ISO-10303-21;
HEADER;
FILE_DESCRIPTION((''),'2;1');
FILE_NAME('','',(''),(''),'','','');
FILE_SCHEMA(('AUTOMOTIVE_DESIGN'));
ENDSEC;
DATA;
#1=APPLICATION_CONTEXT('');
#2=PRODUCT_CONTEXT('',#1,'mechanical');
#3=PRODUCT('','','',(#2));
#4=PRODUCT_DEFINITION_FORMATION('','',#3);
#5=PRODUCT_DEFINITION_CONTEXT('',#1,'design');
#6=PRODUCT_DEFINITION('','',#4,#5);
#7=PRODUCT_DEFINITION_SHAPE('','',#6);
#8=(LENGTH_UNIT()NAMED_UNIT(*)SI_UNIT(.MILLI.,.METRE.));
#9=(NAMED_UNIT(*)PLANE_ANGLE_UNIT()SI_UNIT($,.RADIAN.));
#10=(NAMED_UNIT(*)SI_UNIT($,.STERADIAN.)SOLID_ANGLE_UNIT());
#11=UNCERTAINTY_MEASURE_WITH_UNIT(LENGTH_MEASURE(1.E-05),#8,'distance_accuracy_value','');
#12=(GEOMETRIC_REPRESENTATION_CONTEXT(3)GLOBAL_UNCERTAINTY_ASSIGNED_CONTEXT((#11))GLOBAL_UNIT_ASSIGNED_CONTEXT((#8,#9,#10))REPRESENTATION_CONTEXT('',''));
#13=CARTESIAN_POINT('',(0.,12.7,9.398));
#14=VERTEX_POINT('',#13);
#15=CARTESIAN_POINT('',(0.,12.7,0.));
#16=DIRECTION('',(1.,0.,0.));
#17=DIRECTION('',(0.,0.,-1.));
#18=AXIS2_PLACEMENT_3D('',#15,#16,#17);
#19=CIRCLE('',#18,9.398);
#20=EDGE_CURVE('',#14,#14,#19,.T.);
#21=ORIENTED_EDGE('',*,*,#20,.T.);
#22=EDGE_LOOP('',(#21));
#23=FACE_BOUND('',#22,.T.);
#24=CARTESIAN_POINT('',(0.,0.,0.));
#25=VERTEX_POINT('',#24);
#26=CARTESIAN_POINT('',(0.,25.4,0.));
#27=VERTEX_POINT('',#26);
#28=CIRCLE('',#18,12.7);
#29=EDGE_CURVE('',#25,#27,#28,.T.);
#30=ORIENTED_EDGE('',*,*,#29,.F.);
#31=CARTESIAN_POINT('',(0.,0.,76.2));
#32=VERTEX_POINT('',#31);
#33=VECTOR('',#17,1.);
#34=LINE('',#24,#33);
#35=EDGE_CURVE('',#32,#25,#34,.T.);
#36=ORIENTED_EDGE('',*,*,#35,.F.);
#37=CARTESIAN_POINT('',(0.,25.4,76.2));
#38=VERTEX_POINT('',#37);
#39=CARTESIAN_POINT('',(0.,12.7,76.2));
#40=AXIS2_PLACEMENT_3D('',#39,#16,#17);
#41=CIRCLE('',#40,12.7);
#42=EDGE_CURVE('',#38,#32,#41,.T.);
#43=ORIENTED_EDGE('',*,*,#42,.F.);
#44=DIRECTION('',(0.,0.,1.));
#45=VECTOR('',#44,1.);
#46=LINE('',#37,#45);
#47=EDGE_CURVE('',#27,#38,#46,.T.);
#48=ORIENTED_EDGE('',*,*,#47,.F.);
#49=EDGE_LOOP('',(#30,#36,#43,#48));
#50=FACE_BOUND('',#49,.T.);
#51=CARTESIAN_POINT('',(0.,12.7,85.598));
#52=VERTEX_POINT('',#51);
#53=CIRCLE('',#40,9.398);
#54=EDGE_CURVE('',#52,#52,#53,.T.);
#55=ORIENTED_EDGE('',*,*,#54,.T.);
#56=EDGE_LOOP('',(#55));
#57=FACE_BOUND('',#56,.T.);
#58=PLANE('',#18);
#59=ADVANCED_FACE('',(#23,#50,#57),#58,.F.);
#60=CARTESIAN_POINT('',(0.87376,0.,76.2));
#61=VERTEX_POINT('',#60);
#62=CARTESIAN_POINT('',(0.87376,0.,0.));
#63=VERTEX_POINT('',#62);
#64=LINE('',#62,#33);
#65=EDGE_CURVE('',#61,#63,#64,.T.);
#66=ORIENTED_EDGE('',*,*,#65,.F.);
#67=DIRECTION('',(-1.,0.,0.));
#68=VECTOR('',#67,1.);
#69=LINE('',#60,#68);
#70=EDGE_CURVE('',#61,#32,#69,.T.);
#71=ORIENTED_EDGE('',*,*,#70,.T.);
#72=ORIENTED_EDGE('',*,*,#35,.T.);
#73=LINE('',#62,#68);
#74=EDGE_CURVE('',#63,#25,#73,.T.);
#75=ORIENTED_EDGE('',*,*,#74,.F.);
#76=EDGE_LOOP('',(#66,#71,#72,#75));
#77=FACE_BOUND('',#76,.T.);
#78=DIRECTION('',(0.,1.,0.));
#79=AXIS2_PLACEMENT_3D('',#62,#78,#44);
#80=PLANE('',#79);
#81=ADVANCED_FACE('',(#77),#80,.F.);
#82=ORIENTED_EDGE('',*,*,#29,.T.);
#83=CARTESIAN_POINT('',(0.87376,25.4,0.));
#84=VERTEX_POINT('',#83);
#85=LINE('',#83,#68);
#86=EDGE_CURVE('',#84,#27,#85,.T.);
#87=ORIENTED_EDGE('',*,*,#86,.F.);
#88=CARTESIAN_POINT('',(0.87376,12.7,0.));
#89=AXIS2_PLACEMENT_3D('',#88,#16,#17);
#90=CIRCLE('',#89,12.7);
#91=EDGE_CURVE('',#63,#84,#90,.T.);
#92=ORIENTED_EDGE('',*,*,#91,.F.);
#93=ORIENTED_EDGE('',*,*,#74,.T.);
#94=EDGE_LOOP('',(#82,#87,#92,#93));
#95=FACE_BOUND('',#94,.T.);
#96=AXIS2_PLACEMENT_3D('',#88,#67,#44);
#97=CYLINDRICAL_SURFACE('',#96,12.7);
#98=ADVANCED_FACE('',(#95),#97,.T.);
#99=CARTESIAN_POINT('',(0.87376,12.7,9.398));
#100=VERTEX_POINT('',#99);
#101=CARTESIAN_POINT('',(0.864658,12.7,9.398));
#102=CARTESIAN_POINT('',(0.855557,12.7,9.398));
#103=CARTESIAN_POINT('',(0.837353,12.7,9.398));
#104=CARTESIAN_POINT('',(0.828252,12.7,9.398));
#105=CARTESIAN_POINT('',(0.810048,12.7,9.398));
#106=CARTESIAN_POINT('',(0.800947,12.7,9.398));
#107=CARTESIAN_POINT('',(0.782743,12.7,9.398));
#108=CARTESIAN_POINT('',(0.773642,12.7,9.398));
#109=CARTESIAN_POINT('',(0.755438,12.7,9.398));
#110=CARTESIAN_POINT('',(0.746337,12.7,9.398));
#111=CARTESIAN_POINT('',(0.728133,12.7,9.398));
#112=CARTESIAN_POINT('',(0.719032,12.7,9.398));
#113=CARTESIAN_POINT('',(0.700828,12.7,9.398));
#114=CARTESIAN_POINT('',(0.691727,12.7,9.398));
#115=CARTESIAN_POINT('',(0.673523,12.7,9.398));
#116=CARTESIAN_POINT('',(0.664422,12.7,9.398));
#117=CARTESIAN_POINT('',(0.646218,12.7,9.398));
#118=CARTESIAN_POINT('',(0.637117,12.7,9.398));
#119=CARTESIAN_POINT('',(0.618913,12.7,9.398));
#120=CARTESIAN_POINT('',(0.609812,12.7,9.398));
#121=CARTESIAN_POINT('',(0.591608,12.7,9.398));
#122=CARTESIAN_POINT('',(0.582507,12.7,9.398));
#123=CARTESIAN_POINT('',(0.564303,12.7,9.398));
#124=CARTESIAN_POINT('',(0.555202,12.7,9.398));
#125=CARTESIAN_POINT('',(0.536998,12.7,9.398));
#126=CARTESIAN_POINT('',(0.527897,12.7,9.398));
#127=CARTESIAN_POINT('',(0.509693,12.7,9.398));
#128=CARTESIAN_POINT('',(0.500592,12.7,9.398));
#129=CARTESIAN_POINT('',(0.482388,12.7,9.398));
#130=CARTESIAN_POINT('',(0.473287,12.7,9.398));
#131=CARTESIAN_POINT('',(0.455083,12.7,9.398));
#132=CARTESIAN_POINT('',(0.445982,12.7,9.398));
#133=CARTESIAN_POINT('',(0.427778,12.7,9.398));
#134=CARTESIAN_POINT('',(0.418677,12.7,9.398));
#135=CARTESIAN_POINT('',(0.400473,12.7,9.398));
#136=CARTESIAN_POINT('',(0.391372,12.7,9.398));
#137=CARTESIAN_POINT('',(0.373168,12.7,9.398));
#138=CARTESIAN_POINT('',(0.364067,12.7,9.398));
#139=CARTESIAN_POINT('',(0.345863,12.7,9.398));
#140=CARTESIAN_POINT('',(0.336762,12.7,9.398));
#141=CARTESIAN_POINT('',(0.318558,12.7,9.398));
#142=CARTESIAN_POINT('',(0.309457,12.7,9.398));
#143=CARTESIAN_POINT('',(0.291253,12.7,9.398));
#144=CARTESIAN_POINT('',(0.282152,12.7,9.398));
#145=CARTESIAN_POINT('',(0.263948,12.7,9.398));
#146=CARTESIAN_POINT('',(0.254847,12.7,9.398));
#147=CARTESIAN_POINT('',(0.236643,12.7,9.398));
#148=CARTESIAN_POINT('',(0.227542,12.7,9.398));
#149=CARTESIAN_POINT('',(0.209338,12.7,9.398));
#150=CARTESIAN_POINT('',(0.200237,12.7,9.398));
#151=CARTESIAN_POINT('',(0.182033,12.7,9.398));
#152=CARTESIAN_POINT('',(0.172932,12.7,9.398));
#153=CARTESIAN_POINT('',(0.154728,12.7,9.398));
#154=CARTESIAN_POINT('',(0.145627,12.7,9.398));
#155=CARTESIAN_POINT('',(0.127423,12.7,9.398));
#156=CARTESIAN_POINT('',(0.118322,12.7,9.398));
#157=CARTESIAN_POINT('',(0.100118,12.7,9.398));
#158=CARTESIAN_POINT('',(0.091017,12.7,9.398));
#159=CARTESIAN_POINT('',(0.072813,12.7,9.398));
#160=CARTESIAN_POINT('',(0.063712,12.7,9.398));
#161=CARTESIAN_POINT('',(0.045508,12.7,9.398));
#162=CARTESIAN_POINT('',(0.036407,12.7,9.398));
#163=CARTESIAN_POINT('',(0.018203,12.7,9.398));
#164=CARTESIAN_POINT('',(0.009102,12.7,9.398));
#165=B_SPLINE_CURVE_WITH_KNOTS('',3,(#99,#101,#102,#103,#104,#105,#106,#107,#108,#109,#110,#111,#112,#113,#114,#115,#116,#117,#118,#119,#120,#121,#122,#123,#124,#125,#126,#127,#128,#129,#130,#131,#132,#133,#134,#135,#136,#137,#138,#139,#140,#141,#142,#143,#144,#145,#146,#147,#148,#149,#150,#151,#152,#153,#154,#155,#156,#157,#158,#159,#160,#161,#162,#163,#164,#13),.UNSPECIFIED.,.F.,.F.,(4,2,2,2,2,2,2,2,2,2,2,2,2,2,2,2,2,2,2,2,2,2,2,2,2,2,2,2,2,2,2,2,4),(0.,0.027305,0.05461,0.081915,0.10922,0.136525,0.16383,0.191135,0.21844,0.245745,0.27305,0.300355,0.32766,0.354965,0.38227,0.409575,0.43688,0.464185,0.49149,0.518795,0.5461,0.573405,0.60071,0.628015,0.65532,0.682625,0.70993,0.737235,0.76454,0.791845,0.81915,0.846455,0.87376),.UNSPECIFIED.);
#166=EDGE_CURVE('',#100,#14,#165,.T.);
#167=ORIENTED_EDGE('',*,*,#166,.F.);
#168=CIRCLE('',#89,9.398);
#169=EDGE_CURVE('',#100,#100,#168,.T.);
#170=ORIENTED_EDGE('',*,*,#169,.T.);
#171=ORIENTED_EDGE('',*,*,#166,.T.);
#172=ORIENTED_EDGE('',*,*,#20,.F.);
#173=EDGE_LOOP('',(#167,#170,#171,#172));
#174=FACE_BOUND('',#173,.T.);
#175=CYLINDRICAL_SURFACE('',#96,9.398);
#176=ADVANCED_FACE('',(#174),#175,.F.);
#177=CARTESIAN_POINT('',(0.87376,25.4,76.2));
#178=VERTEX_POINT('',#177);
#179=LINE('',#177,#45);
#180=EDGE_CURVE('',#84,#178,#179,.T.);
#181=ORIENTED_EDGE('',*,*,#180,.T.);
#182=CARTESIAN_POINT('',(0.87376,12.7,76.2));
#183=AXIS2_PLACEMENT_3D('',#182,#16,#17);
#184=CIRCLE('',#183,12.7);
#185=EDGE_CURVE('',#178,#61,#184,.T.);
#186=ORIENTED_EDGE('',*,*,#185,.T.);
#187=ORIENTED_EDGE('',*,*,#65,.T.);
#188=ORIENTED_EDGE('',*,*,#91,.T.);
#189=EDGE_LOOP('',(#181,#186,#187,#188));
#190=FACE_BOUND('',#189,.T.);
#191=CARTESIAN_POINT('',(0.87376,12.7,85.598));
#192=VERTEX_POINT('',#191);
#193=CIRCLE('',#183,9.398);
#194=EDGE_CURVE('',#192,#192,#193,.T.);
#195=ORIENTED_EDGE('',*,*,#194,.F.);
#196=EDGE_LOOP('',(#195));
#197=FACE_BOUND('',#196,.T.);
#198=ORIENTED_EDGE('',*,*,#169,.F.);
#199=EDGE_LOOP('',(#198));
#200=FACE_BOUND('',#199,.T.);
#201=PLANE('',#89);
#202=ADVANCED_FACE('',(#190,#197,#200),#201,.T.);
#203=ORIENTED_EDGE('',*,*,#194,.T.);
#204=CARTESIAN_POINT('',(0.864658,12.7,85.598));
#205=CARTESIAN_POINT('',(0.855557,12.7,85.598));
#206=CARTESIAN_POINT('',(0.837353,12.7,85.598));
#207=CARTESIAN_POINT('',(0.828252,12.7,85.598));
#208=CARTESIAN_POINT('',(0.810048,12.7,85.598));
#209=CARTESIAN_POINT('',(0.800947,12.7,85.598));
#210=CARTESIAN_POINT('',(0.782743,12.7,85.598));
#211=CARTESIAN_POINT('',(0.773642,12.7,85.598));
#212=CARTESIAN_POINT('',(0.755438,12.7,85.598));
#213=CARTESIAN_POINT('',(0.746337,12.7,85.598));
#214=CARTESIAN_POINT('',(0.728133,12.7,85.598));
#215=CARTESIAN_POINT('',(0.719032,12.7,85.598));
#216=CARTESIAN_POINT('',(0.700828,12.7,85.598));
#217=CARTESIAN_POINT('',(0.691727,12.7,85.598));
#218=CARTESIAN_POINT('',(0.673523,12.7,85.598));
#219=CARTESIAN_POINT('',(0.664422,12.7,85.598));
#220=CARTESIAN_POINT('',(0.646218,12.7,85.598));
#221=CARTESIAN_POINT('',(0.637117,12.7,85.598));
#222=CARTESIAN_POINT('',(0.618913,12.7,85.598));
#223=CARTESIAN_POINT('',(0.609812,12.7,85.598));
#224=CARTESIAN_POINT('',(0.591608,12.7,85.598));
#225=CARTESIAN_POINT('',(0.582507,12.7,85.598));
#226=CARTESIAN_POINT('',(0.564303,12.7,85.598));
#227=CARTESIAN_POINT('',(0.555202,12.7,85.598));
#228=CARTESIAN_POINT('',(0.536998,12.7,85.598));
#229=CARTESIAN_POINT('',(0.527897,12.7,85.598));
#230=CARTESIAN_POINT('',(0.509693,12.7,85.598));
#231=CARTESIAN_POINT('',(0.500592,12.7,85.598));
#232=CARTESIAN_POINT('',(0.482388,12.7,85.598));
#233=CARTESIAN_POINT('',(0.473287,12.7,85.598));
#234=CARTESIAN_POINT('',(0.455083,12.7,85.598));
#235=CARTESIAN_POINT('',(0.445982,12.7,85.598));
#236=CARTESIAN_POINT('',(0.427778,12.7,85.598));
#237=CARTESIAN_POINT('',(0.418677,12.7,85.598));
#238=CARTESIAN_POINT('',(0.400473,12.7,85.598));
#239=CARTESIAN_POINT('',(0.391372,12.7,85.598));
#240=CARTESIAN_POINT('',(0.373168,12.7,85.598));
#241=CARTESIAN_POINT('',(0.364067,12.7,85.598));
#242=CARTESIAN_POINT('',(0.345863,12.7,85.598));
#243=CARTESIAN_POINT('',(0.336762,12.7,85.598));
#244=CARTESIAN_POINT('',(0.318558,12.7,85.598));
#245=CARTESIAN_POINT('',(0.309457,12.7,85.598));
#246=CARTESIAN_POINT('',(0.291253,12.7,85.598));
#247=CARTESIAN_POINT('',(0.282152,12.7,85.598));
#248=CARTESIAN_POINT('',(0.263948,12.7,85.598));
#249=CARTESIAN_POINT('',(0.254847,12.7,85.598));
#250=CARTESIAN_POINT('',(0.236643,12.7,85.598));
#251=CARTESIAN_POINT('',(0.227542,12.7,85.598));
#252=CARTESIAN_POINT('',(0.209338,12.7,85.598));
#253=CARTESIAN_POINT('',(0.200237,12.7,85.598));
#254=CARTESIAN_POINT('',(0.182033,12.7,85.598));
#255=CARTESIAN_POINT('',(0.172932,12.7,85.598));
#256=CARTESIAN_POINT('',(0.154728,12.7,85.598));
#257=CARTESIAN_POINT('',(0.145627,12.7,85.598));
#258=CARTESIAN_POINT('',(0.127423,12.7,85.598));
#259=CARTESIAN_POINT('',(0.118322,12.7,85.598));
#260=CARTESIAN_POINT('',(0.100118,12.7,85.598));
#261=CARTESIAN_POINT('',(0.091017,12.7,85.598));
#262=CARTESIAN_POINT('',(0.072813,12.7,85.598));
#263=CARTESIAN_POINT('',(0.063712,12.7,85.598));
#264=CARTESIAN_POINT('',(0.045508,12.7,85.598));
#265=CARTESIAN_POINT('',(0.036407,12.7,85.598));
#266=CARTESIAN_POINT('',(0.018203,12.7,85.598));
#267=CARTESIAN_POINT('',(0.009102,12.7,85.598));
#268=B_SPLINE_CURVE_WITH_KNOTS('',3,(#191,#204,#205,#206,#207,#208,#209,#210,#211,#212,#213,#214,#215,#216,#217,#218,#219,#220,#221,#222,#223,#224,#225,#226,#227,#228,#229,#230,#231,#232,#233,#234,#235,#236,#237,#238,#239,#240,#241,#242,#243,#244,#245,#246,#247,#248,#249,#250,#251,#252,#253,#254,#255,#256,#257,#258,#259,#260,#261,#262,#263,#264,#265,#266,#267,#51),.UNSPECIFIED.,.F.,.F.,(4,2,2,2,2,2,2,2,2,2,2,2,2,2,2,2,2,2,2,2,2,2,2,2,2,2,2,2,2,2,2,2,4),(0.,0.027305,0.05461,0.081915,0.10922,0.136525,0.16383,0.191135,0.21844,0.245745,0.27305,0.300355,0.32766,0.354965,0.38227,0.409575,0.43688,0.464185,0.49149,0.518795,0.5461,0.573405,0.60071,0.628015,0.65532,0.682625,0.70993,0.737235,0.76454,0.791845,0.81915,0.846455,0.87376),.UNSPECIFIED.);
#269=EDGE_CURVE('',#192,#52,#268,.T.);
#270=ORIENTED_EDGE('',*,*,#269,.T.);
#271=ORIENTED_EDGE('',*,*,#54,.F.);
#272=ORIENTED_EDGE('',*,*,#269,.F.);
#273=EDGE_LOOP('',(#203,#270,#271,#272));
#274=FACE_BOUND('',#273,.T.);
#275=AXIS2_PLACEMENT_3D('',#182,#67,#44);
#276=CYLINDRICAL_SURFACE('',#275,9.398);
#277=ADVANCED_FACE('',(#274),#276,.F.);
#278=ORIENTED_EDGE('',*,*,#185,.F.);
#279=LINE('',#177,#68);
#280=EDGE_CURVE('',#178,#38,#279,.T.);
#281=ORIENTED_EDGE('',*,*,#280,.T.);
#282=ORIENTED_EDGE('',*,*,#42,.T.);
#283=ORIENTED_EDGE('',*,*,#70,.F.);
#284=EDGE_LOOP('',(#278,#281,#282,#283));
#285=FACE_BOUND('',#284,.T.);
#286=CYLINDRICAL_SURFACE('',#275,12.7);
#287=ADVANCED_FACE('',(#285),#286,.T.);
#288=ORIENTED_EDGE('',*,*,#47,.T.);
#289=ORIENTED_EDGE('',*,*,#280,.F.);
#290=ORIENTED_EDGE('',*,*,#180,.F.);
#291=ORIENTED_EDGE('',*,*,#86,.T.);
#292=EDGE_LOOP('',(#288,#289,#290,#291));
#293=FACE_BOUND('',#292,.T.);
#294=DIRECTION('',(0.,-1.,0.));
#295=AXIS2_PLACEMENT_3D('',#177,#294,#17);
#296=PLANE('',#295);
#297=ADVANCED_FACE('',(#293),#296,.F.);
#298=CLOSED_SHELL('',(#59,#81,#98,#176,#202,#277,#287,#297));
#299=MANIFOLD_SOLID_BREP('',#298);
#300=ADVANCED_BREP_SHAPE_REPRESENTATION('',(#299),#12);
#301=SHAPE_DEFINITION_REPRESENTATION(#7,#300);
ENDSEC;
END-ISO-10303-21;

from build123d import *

# Parameters (mm, degrees)
BOSS_EXTRUDE1_DEPTH = 0.87376
SKETCH2_R           = 9.398
CUT_EXTRUDE1_DEPTH  = 0.87376


with BuildPart() as part:
    # Sketch1 → Boss-Extrude1 (new body)
    with BuildSketch(Plane.YZ):
        with BuildLine():
            Line((0, 0), (0, 76.2))
            ThreePointArc((0, 76.2), (12.7, 88.9), (25.4, 76.2))
            Line((25.4, 76.2), (25.4, 0))
            ThreePointArc((25.4, 0), (12.7, -12.7), (0, 0))
        make_face()
    extrude(amount=BOSS_EXTRUDE1_DEPTH)

    # Sketch2 → Cut-Extrude1 (cut)
    with BuildSketch(Plane.YZ):
        with Locations(Location((12.7, 76.2, 0), (0, 0, 90))):
            Circle(SKETCH2_R)
        with Locations(Location((12.7, 0, 0), (0, 0, 90))):
            Circle(SKETCH2_R)
    extrude(amount=CUT_EXTRUDE1_DEPTH, mode=Mode.SUBTRACT)


solid = part.part
